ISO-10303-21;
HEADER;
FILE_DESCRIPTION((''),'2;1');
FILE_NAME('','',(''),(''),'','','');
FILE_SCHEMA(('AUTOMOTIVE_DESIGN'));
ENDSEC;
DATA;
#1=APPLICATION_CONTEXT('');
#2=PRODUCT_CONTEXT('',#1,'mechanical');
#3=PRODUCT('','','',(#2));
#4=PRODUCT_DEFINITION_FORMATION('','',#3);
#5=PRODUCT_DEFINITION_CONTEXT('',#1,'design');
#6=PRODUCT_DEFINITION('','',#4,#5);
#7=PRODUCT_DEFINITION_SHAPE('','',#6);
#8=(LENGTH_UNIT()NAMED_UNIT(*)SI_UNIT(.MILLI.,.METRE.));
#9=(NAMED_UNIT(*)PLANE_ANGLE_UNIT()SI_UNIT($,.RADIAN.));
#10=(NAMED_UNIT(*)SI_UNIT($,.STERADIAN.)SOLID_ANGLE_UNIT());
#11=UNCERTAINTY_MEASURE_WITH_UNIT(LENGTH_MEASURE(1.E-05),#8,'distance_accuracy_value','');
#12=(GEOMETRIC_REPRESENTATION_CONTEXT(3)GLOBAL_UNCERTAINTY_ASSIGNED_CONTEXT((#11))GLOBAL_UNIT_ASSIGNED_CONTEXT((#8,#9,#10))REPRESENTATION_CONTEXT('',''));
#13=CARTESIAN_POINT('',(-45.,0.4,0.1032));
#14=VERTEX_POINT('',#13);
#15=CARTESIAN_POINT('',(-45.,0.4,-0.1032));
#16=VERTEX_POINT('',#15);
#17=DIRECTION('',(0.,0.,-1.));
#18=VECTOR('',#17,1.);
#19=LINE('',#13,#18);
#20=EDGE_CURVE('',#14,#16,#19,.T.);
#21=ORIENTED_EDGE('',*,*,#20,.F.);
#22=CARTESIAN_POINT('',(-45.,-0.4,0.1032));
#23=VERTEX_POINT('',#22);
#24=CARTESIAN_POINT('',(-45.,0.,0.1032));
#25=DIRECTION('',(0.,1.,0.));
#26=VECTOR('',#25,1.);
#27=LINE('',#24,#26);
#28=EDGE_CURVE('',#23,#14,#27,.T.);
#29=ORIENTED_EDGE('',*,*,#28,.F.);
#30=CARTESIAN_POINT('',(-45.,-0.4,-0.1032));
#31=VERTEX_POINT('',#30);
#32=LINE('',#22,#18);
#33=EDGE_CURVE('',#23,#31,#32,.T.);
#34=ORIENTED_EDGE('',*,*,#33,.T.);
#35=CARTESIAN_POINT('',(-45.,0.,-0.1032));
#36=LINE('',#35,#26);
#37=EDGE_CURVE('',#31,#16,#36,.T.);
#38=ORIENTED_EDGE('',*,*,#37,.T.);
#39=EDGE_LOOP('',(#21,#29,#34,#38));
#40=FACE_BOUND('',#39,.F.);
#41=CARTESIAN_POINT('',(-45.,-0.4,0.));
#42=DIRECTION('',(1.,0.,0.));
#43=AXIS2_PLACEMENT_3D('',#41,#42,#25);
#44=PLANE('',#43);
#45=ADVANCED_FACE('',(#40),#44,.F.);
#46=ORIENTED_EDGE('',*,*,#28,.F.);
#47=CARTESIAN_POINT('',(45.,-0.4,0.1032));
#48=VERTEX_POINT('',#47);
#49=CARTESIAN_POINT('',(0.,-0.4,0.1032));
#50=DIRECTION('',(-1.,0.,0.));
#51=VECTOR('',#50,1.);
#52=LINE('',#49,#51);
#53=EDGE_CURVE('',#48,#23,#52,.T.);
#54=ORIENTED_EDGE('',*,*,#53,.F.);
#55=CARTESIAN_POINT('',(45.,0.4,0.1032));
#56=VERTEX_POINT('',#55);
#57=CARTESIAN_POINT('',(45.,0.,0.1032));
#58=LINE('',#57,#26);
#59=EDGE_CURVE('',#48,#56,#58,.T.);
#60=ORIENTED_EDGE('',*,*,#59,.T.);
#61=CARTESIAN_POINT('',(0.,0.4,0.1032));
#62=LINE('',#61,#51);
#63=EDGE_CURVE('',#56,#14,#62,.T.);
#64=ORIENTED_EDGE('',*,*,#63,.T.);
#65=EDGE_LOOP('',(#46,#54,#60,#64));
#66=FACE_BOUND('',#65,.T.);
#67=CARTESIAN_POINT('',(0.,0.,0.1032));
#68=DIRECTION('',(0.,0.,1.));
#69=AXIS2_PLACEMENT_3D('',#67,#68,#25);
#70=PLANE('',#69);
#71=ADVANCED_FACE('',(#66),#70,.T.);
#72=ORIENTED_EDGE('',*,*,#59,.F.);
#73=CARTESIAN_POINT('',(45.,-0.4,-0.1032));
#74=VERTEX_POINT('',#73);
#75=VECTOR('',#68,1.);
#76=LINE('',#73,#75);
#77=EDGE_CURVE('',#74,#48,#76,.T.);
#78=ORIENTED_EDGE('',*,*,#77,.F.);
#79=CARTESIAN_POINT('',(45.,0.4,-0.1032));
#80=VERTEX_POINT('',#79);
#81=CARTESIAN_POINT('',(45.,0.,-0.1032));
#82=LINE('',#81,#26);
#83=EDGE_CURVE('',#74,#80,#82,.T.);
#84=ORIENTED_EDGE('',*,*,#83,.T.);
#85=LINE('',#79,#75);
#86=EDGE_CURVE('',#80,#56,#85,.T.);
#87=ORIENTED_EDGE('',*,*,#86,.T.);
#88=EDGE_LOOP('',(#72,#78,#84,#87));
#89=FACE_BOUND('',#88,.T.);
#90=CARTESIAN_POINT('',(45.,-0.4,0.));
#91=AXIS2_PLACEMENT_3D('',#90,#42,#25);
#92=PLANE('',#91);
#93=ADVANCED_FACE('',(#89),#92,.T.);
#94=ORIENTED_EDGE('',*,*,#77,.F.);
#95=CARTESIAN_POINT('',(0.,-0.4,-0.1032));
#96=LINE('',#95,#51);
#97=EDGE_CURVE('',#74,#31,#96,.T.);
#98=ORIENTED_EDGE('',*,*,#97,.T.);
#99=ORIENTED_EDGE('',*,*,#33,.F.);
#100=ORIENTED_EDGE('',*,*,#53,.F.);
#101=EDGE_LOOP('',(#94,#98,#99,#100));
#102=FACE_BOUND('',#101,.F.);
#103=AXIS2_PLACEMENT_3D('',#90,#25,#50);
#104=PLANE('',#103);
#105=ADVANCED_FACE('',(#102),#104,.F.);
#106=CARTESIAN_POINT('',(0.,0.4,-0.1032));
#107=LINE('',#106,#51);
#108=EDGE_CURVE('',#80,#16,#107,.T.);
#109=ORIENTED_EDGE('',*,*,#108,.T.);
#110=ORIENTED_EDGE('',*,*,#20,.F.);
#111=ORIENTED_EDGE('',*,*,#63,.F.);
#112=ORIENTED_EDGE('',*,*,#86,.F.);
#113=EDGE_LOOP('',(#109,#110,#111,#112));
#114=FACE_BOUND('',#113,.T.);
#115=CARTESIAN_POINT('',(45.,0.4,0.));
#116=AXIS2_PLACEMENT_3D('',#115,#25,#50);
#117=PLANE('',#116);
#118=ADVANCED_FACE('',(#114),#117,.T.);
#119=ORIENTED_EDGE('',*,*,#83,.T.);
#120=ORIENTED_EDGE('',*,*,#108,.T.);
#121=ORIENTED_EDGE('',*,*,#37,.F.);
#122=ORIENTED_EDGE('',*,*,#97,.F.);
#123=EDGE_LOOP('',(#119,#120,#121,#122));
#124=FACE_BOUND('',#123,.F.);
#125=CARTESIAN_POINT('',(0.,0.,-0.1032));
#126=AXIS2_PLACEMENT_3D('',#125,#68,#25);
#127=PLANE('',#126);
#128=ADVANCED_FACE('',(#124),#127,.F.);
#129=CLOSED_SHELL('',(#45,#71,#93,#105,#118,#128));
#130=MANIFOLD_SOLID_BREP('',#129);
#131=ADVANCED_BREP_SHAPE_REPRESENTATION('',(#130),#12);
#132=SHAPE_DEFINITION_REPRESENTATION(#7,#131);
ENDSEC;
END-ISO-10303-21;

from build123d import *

# Parameters (mm, degrees)
F0_W     = 0.8
F0_H     = 90
F1_DEPTH = 0.1032
F3_ANGLE = 90


with BuildPart() as f1:
    # F0 (on Top) → F1 (new body, symmetric)
    with BuildSketch(Plane.XY):
        Rectangle(F0_W, F0_H)
    extrude(amount=F1_DEPTH, both=True)


with BuildPart() as f1_1:
    # F3: moved
    add(f1.part.rotate(Axis((0, 0, 22.021707), (0, 0, 1)), F3_ANGLE))


solid = f1_1.part
